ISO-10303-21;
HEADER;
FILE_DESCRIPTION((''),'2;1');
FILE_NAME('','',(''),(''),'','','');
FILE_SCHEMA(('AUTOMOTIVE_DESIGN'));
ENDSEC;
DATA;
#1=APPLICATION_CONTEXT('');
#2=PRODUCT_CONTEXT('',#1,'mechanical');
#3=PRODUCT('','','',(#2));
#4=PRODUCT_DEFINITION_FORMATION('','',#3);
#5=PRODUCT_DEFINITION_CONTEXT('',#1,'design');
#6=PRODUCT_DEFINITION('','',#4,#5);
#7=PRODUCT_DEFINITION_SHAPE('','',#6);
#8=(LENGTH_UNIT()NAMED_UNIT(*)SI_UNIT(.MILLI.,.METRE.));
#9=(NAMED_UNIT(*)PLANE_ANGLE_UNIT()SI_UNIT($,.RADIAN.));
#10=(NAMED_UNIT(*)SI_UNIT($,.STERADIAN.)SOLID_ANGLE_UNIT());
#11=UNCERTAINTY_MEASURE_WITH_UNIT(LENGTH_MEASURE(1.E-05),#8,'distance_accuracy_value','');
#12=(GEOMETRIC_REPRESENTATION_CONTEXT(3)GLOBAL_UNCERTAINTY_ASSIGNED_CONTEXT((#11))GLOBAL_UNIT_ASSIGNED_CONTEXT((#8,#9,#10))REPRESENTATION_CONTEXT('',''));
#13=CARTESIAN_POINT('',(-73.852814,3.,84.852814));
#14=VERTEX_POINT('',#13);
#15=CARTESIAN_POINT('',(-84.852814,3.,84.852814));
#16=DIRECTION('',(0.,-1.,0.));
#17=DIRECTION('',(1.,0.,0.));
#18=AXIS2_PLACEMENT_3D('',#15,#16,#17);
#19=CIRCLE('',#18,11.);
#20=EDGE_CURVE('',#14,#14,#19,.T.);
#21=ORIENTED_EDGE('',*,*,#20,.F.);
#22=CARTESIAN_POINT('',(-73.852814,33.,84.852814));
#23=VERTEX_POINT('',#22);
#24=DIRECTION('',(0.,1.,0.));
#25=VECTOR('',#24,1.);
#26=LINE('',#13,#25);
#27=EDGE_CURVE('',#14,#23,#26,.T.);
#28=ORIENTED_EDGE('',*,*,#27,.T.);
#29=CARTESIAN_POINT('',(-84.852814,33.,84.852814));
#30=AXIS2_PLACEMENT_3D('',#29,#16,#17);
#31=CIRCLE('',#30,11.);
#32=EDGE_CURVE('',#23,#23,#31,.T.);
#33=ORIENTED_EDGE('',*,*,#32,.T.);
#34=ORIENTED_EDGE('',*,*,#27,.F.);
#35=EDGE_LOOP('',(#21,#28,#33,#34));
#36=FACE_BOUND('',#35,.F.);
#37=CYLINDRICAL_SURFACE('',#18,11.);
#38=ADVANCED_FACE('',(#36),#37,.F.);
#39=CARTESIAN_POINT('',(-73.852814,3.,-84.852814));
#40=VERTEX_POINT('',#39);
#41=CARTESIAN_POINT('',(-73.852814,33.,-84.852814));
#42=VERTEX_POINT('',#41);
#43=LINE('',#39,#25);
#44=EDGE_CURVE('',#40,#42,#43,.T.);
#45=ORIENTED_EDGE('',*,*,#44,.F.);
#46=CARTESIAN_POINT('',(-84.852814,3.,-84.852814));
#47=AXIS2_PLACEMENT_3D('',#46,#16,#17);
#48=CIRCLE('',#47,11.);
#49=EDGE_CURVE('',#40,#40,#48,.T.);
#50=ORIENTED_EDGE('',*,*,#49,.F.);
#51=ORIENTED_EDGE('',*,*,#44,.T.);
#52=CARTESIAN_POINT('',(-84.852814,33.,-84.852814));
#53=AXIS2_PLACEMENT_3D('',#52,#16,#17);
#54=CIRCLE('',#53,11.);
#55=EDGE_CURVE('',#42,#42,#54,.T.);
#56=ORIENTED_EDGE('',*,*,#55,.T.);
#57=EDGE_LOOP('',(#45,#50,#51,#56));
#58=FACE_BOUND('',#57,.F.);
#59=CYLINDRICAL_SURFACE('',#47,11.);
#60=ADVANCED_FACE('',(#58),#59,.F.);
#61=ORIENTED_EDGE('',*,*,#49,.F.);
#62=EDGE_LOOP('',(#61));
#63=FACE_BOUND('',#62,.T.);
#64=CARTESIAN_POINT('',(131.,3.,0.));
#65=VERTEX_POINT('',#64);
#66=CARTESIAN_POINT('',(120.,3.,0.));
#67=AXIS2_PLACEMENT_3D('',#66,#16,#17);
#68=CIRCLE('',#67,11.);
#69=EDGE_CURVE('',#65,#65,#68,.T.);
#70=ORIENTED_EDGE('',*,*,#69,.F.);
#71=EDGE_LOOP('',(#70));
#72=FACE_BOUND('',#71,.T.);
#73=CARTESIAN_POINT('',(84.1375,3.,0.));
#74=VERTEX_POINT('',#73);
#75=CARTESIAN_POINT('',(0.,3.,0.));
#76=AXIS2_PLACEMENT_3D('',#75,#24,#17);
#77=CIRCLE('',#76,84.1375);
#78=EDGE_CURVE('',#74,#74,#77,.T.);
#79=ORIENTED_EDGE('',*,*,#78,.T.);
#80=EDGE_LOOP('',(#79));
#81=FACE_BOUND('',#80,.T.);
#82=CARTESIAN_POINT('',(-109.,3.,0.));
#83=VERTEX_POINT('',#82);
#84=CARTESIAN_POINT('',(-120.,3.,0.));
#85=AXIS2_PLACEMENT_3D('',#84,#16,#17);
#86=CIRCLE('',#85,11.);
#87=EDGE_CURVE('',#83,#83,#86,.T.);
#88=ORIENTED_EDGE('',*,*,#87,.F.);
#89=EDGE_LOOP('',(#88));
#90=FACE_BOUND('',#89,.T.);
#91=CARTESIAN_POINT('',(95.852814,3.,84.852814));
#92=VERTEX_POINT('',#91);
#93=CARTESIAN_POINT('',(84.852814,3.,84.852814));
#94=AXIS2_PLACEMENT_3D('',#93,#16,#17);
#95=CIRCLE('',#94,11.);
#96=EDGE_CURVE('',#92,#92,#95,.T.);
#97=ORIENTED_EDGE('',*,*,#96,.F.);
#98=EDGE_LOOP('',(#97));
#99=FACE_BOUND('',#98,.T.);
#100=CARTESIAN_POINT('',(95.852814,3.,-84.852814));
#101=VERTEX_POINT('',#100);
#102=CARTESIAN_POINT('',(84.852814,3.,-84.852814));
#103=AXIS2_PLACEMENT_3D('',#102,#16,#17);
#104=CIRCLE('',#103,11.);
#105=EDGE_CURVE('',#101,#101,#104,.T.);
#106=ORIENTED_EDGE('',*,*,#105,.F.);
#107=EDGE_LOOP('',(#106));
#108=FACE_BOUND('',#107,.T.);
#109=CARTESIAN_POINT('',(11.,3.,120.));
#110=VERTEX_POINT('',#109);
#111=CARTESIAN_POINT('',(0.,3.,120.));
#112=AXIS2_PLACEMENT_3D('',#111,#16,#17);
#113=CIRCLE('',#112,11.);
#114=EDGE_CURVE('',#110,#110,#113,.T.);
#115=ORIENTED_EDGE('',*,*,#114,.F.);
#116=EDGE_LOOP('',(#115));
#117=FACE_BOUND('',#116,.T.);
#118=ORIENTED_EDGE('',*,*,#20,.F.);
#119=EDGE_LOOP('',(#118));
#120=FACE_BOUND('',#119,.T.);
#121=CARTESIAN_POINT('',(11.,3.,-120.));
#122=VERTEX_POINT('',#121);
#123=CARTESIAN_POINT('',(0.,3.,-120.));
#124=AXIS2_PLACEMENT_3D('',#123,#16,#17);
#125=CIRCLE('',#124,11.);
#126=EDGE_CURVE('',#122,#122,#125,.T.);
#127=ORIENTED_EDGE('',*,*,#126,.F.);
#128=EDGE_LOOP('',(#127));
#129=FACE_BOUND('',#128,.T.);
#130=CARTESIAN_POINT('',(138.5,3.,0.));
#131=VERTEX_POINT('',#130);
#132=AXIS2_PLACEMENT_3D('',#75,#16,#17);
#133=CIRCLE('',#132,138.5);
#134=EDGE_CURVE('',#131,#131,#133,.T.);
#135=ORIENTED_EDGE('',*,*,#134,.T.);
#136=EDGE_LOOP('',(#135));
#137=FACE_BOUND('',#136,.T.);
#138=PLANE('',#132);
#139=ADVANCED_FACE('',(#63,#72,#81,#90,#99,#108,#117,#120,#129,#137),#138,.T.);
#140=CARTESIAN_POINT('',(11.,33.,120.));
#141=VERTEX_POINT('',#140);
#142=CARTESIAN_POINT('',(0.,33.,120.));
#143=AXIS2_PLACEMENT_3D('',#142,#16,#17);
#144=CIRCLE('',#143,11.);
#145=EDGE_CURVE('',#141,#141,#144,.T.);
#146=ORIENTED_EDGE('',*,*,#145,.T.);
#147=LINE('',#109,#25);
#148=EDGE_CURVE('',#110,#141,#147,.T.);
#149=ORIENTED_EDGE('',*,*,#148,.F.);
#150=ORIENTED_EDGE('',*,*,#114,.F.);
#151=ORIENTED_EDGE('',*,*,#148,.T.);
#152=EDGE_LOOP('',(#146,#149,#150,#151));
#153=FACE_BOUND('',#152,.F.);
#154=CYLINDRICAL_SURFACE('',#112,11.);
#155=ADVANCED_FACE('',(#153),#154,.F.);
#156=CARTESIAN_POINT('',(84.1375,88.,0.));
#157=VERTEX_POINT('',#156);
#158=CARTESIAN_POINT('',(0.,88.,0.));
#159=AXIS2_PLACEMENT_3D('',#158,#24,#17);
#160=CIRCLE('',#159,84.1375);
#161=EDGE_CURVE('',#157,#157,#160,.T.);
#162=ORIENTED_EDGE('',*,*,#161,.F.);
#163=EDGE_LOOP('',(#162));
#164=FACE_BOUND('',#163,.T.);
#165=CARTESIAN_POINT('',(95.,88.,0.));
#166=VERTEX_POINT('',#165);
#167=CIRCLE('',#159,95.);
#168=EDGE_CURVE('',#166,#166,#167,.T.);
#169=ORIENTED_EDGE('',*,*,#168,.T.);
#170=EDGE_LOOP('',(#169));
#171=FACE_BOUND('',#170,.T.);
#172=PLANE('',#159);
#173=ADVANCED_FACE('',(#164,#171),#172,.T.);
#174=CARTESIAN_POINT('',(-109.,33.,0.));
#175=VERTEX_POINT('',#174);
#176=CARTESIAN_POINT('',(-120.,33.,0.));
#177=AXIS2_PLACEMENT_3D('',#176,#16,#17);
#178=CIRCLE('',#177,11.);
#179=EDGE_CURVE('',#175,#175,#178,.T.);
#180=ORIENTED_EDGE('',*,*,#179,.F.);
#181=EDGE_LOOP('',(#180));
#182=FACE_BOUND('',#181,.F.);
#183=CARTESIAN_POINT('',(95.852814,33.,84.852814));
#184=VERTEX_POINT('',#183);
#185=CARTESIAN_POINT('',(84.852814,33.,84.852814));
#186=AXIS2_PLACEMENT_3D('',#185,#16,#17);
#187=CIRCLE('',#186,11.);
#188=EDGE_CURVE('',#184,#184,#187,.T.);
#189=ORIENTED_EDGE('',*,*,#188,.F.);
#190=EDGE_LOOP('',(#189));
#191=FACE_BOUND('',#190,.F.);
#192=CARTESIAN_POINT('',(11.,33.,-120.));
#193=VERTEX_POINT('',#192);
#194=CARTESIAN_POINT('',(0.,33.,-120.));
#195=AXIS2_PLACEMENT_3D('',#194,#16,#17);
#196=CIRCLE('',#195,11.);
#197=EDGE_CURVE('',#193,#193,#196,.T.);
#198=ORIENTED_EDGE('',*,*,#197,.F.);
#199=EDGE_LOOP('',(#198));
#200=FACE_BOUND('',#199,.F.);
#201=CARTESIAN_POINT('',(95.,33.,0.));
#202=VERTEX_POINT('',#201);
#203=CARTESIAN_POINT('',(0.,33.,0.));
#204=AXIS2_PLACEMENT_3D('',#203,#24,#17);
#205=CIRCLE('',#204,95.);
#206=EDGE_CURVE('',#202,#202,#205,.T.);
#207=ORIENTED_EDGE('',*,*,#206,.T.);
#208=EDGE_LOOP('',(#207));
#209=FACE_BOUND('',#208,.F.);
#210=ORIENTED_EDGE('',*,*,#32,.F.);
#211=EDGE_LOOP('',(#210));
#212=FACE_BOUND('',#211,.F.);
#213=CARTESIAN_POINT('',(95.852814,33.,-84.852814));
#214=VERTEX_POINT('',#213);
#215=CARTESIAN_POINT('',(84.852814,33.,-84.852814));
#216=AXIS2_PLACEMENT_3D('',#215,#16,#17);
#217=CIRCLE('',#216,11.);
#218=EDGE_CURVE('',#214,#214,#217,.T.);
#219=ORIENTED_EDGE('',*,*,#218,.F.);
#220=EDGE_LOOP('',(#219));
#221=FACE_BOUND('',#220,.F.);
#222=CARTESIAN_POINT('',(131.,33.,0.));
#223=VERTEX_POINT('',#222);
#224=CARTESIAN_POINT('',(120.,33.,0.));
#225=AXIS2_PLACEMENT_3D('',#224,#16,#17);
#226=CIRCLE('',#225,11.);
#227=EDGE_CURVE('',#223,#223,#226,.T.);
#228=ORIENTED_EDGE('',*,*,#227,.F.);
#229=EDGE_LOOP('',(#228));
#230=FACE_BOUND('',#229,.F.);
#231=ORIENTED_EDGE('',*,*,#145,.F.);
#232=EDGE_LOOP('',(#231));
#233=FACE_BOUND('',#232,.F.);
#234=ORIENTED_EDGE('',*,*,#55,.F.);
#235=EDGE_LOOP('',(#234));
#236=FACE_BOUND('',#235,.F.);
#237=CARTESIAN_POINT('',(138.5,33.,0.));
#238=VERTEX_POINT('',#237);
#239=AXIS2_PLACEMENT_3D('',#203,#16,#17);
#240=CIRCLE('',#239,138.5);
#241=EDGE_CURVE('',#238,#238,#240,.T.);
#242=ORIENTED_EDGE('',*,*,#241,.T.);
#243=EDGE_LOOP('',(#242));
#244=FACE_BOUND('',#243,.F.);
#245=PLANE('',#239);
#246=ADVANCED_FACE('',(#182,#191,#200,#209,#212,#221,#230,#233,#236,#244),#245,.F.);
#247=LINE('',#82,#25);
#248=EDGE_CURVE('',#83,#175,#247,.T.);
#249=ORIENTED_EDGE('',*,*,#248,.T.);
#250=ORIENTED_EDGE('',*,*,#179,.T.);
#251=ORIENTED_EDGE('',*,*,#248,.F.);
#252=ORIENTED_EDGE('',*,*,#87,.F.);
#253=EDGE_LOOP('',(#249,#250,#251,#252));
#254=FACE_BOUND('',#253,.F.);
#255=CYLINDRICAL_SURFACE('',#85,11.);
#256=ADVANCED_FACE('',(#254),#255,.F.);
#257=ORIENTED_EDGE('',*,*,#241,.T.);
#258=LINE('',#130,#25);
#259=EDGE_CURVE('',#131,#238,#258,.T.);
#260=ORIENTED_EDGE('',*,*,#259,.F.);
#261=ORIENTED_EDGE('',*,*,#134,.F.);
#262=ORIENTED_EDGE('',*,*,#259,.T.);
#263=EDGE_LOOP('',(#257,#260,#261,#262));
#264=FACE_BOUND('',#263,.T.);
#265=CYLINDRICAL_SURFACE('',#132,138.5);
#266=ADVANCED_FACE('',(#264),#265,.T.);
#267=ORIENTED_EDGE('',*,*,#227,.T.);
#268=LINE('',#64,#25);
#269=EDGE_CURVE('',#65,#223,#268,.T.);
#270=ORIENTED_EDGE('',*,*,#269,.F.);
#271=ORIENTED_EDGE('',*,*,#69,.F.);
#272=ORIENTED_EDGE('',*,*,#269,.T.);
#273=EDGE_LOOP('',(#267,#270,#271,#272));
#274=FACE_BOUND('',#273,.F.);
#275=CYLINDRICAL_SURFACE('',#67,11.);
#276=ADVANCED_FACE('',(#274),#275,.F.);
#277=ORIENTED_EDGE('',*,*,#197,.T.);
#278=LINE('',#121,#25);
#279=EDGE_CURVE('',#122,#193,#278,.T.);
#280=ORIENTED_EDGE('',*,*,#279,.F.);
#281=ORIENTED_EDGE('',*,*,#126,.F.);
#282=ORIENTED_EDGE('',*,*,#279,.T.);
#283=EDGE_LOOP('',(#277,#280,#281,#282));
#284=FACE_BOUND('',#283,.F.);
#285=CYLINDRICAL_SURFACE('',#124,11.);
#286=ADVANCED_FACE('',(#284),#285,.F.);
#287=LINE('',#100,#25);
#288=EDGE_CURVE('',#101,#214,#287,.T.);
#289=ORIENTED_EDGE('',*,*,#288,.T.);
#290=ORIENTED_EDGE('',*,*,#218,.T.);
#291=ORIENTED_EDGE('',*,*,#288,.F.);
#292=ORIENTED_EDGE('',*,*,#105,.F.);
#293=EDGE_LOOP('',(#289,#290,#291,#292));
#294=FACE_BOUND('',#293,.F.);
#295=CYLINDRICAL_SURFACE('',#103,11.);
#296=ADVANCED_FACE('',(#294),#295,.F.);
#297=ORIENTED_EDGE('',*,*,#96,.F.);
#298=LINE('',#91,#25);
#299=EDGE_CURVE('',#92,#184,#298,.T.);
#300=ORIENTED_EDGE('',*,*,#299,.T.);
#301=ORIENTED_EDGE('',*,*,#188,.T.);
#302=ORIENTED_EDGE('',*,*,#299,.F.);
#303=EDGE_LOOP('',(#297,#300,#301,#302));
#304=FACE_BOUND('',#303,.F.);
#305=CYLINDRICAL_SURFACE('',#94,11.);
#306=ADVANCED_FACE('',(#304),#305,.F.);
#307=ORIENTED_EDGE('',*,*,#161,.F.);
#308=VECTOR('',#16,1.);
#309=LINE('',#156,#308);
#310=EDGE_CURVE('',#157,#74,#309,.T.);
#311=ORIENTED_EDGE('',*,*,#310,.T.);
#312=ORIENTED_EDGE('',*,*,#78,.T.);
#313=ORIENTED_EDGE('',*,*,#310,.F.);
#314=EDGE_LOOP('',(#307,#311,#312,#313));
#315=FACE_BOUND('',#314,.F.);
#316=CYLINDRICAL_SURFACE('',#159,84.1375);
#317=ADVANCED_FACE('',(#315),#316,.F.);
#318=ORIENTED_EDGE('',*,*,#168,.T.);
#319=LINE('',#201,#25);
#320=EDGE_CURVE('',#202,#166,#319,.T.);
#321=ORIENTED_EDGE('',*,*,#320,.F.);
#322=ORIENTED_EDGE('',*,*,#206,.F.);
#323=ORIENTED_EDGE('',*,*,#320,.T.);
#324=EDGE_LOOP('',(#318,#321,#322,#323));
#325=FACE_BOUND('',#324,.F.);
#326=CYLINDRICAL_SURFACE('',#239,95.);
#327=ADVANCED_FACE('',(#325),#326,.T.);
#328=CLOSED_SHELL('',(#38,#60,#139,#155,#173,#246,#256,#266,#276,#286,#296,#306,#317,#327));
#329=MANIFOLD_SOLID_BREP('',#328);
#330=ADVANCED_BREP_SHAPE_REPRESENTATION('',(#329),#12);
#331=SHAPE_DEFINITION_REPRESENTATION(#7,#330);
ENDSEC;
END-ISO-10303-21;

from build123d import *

# Parameters (mm, degrees)
SKETCH003_R   = 138.5
SKETCH003_R_2 = 11
PAD002_DEPTH  = 30
SKETCH004_R   = 95
PAD003_DEPTH  = 55
SKETCH005_R   = 84.1375
POCKET_DEPTH  = 85.001


with BuildPart() as part:
    # Sketch003 → Pad002 (new body)
    with BuildSketch(Plane.XZ.offset(-3)):
        Circle(SKETCH003_R)
        with Locations((-120, 0)):
            Circle(SKETCH003_R_2, mode=Mode.SUBTRACT)
        with Locations((-84.852814, 84.852814)):
            Circle(SKETCH003_R_2, mode=Mode.SUBTRACT)
        with Locations((0, 120)):
            Circle(SKETCH003_R_2, mode=Mode.SUBTRACT)
        with Locations((84.852814, 84.852814)):
            Circle(SKETCH003_R_2, mode=Mode.SUBTRACT)
        with Locations((120, 0)):
            Circle(SKETCH003_R_2, mode=Mode.SUBTRACT)
        with Locations((84.852814, -84.852814)):
            Circle(SKETCH003_R_2, mode=Mode.SUBTRACT)
        with Locations((0, -120)):
            Circle(SKETCH003_R_2, mode=Mode.SUBTRACT)
        with Locations((-84.852814, -84.852814)):
            Circle(SKETCH003_R_2, mode=Mode.SUBTRACT)
    extrude(amount=-PAD002_DEPTH)

    # Sketch004 (on Face11 of Pad002) → Pad003 (join)
    with BuildSketch(Plane(origin=(0, 33, 0), x_dir=(1, 0, 0), z_dir=(0, 1, 0))):
        Circle(SKETCH004_R)
    extrude(amount=PAD003_DEPTH)

    # Sketch005 (on Face13 of Pad003) → Pocket (cut, through all)
    with BuildSketch(Plane(origin=(0, 88, 0), x_dir=(1, 0, 0), z_dir=(0, 1, 0))):
        Circle(SKETCH005_R)
    extrude(amount=-POCKET_DEPTH, mode=Mode.SUBTRACT)


solid = part.part
